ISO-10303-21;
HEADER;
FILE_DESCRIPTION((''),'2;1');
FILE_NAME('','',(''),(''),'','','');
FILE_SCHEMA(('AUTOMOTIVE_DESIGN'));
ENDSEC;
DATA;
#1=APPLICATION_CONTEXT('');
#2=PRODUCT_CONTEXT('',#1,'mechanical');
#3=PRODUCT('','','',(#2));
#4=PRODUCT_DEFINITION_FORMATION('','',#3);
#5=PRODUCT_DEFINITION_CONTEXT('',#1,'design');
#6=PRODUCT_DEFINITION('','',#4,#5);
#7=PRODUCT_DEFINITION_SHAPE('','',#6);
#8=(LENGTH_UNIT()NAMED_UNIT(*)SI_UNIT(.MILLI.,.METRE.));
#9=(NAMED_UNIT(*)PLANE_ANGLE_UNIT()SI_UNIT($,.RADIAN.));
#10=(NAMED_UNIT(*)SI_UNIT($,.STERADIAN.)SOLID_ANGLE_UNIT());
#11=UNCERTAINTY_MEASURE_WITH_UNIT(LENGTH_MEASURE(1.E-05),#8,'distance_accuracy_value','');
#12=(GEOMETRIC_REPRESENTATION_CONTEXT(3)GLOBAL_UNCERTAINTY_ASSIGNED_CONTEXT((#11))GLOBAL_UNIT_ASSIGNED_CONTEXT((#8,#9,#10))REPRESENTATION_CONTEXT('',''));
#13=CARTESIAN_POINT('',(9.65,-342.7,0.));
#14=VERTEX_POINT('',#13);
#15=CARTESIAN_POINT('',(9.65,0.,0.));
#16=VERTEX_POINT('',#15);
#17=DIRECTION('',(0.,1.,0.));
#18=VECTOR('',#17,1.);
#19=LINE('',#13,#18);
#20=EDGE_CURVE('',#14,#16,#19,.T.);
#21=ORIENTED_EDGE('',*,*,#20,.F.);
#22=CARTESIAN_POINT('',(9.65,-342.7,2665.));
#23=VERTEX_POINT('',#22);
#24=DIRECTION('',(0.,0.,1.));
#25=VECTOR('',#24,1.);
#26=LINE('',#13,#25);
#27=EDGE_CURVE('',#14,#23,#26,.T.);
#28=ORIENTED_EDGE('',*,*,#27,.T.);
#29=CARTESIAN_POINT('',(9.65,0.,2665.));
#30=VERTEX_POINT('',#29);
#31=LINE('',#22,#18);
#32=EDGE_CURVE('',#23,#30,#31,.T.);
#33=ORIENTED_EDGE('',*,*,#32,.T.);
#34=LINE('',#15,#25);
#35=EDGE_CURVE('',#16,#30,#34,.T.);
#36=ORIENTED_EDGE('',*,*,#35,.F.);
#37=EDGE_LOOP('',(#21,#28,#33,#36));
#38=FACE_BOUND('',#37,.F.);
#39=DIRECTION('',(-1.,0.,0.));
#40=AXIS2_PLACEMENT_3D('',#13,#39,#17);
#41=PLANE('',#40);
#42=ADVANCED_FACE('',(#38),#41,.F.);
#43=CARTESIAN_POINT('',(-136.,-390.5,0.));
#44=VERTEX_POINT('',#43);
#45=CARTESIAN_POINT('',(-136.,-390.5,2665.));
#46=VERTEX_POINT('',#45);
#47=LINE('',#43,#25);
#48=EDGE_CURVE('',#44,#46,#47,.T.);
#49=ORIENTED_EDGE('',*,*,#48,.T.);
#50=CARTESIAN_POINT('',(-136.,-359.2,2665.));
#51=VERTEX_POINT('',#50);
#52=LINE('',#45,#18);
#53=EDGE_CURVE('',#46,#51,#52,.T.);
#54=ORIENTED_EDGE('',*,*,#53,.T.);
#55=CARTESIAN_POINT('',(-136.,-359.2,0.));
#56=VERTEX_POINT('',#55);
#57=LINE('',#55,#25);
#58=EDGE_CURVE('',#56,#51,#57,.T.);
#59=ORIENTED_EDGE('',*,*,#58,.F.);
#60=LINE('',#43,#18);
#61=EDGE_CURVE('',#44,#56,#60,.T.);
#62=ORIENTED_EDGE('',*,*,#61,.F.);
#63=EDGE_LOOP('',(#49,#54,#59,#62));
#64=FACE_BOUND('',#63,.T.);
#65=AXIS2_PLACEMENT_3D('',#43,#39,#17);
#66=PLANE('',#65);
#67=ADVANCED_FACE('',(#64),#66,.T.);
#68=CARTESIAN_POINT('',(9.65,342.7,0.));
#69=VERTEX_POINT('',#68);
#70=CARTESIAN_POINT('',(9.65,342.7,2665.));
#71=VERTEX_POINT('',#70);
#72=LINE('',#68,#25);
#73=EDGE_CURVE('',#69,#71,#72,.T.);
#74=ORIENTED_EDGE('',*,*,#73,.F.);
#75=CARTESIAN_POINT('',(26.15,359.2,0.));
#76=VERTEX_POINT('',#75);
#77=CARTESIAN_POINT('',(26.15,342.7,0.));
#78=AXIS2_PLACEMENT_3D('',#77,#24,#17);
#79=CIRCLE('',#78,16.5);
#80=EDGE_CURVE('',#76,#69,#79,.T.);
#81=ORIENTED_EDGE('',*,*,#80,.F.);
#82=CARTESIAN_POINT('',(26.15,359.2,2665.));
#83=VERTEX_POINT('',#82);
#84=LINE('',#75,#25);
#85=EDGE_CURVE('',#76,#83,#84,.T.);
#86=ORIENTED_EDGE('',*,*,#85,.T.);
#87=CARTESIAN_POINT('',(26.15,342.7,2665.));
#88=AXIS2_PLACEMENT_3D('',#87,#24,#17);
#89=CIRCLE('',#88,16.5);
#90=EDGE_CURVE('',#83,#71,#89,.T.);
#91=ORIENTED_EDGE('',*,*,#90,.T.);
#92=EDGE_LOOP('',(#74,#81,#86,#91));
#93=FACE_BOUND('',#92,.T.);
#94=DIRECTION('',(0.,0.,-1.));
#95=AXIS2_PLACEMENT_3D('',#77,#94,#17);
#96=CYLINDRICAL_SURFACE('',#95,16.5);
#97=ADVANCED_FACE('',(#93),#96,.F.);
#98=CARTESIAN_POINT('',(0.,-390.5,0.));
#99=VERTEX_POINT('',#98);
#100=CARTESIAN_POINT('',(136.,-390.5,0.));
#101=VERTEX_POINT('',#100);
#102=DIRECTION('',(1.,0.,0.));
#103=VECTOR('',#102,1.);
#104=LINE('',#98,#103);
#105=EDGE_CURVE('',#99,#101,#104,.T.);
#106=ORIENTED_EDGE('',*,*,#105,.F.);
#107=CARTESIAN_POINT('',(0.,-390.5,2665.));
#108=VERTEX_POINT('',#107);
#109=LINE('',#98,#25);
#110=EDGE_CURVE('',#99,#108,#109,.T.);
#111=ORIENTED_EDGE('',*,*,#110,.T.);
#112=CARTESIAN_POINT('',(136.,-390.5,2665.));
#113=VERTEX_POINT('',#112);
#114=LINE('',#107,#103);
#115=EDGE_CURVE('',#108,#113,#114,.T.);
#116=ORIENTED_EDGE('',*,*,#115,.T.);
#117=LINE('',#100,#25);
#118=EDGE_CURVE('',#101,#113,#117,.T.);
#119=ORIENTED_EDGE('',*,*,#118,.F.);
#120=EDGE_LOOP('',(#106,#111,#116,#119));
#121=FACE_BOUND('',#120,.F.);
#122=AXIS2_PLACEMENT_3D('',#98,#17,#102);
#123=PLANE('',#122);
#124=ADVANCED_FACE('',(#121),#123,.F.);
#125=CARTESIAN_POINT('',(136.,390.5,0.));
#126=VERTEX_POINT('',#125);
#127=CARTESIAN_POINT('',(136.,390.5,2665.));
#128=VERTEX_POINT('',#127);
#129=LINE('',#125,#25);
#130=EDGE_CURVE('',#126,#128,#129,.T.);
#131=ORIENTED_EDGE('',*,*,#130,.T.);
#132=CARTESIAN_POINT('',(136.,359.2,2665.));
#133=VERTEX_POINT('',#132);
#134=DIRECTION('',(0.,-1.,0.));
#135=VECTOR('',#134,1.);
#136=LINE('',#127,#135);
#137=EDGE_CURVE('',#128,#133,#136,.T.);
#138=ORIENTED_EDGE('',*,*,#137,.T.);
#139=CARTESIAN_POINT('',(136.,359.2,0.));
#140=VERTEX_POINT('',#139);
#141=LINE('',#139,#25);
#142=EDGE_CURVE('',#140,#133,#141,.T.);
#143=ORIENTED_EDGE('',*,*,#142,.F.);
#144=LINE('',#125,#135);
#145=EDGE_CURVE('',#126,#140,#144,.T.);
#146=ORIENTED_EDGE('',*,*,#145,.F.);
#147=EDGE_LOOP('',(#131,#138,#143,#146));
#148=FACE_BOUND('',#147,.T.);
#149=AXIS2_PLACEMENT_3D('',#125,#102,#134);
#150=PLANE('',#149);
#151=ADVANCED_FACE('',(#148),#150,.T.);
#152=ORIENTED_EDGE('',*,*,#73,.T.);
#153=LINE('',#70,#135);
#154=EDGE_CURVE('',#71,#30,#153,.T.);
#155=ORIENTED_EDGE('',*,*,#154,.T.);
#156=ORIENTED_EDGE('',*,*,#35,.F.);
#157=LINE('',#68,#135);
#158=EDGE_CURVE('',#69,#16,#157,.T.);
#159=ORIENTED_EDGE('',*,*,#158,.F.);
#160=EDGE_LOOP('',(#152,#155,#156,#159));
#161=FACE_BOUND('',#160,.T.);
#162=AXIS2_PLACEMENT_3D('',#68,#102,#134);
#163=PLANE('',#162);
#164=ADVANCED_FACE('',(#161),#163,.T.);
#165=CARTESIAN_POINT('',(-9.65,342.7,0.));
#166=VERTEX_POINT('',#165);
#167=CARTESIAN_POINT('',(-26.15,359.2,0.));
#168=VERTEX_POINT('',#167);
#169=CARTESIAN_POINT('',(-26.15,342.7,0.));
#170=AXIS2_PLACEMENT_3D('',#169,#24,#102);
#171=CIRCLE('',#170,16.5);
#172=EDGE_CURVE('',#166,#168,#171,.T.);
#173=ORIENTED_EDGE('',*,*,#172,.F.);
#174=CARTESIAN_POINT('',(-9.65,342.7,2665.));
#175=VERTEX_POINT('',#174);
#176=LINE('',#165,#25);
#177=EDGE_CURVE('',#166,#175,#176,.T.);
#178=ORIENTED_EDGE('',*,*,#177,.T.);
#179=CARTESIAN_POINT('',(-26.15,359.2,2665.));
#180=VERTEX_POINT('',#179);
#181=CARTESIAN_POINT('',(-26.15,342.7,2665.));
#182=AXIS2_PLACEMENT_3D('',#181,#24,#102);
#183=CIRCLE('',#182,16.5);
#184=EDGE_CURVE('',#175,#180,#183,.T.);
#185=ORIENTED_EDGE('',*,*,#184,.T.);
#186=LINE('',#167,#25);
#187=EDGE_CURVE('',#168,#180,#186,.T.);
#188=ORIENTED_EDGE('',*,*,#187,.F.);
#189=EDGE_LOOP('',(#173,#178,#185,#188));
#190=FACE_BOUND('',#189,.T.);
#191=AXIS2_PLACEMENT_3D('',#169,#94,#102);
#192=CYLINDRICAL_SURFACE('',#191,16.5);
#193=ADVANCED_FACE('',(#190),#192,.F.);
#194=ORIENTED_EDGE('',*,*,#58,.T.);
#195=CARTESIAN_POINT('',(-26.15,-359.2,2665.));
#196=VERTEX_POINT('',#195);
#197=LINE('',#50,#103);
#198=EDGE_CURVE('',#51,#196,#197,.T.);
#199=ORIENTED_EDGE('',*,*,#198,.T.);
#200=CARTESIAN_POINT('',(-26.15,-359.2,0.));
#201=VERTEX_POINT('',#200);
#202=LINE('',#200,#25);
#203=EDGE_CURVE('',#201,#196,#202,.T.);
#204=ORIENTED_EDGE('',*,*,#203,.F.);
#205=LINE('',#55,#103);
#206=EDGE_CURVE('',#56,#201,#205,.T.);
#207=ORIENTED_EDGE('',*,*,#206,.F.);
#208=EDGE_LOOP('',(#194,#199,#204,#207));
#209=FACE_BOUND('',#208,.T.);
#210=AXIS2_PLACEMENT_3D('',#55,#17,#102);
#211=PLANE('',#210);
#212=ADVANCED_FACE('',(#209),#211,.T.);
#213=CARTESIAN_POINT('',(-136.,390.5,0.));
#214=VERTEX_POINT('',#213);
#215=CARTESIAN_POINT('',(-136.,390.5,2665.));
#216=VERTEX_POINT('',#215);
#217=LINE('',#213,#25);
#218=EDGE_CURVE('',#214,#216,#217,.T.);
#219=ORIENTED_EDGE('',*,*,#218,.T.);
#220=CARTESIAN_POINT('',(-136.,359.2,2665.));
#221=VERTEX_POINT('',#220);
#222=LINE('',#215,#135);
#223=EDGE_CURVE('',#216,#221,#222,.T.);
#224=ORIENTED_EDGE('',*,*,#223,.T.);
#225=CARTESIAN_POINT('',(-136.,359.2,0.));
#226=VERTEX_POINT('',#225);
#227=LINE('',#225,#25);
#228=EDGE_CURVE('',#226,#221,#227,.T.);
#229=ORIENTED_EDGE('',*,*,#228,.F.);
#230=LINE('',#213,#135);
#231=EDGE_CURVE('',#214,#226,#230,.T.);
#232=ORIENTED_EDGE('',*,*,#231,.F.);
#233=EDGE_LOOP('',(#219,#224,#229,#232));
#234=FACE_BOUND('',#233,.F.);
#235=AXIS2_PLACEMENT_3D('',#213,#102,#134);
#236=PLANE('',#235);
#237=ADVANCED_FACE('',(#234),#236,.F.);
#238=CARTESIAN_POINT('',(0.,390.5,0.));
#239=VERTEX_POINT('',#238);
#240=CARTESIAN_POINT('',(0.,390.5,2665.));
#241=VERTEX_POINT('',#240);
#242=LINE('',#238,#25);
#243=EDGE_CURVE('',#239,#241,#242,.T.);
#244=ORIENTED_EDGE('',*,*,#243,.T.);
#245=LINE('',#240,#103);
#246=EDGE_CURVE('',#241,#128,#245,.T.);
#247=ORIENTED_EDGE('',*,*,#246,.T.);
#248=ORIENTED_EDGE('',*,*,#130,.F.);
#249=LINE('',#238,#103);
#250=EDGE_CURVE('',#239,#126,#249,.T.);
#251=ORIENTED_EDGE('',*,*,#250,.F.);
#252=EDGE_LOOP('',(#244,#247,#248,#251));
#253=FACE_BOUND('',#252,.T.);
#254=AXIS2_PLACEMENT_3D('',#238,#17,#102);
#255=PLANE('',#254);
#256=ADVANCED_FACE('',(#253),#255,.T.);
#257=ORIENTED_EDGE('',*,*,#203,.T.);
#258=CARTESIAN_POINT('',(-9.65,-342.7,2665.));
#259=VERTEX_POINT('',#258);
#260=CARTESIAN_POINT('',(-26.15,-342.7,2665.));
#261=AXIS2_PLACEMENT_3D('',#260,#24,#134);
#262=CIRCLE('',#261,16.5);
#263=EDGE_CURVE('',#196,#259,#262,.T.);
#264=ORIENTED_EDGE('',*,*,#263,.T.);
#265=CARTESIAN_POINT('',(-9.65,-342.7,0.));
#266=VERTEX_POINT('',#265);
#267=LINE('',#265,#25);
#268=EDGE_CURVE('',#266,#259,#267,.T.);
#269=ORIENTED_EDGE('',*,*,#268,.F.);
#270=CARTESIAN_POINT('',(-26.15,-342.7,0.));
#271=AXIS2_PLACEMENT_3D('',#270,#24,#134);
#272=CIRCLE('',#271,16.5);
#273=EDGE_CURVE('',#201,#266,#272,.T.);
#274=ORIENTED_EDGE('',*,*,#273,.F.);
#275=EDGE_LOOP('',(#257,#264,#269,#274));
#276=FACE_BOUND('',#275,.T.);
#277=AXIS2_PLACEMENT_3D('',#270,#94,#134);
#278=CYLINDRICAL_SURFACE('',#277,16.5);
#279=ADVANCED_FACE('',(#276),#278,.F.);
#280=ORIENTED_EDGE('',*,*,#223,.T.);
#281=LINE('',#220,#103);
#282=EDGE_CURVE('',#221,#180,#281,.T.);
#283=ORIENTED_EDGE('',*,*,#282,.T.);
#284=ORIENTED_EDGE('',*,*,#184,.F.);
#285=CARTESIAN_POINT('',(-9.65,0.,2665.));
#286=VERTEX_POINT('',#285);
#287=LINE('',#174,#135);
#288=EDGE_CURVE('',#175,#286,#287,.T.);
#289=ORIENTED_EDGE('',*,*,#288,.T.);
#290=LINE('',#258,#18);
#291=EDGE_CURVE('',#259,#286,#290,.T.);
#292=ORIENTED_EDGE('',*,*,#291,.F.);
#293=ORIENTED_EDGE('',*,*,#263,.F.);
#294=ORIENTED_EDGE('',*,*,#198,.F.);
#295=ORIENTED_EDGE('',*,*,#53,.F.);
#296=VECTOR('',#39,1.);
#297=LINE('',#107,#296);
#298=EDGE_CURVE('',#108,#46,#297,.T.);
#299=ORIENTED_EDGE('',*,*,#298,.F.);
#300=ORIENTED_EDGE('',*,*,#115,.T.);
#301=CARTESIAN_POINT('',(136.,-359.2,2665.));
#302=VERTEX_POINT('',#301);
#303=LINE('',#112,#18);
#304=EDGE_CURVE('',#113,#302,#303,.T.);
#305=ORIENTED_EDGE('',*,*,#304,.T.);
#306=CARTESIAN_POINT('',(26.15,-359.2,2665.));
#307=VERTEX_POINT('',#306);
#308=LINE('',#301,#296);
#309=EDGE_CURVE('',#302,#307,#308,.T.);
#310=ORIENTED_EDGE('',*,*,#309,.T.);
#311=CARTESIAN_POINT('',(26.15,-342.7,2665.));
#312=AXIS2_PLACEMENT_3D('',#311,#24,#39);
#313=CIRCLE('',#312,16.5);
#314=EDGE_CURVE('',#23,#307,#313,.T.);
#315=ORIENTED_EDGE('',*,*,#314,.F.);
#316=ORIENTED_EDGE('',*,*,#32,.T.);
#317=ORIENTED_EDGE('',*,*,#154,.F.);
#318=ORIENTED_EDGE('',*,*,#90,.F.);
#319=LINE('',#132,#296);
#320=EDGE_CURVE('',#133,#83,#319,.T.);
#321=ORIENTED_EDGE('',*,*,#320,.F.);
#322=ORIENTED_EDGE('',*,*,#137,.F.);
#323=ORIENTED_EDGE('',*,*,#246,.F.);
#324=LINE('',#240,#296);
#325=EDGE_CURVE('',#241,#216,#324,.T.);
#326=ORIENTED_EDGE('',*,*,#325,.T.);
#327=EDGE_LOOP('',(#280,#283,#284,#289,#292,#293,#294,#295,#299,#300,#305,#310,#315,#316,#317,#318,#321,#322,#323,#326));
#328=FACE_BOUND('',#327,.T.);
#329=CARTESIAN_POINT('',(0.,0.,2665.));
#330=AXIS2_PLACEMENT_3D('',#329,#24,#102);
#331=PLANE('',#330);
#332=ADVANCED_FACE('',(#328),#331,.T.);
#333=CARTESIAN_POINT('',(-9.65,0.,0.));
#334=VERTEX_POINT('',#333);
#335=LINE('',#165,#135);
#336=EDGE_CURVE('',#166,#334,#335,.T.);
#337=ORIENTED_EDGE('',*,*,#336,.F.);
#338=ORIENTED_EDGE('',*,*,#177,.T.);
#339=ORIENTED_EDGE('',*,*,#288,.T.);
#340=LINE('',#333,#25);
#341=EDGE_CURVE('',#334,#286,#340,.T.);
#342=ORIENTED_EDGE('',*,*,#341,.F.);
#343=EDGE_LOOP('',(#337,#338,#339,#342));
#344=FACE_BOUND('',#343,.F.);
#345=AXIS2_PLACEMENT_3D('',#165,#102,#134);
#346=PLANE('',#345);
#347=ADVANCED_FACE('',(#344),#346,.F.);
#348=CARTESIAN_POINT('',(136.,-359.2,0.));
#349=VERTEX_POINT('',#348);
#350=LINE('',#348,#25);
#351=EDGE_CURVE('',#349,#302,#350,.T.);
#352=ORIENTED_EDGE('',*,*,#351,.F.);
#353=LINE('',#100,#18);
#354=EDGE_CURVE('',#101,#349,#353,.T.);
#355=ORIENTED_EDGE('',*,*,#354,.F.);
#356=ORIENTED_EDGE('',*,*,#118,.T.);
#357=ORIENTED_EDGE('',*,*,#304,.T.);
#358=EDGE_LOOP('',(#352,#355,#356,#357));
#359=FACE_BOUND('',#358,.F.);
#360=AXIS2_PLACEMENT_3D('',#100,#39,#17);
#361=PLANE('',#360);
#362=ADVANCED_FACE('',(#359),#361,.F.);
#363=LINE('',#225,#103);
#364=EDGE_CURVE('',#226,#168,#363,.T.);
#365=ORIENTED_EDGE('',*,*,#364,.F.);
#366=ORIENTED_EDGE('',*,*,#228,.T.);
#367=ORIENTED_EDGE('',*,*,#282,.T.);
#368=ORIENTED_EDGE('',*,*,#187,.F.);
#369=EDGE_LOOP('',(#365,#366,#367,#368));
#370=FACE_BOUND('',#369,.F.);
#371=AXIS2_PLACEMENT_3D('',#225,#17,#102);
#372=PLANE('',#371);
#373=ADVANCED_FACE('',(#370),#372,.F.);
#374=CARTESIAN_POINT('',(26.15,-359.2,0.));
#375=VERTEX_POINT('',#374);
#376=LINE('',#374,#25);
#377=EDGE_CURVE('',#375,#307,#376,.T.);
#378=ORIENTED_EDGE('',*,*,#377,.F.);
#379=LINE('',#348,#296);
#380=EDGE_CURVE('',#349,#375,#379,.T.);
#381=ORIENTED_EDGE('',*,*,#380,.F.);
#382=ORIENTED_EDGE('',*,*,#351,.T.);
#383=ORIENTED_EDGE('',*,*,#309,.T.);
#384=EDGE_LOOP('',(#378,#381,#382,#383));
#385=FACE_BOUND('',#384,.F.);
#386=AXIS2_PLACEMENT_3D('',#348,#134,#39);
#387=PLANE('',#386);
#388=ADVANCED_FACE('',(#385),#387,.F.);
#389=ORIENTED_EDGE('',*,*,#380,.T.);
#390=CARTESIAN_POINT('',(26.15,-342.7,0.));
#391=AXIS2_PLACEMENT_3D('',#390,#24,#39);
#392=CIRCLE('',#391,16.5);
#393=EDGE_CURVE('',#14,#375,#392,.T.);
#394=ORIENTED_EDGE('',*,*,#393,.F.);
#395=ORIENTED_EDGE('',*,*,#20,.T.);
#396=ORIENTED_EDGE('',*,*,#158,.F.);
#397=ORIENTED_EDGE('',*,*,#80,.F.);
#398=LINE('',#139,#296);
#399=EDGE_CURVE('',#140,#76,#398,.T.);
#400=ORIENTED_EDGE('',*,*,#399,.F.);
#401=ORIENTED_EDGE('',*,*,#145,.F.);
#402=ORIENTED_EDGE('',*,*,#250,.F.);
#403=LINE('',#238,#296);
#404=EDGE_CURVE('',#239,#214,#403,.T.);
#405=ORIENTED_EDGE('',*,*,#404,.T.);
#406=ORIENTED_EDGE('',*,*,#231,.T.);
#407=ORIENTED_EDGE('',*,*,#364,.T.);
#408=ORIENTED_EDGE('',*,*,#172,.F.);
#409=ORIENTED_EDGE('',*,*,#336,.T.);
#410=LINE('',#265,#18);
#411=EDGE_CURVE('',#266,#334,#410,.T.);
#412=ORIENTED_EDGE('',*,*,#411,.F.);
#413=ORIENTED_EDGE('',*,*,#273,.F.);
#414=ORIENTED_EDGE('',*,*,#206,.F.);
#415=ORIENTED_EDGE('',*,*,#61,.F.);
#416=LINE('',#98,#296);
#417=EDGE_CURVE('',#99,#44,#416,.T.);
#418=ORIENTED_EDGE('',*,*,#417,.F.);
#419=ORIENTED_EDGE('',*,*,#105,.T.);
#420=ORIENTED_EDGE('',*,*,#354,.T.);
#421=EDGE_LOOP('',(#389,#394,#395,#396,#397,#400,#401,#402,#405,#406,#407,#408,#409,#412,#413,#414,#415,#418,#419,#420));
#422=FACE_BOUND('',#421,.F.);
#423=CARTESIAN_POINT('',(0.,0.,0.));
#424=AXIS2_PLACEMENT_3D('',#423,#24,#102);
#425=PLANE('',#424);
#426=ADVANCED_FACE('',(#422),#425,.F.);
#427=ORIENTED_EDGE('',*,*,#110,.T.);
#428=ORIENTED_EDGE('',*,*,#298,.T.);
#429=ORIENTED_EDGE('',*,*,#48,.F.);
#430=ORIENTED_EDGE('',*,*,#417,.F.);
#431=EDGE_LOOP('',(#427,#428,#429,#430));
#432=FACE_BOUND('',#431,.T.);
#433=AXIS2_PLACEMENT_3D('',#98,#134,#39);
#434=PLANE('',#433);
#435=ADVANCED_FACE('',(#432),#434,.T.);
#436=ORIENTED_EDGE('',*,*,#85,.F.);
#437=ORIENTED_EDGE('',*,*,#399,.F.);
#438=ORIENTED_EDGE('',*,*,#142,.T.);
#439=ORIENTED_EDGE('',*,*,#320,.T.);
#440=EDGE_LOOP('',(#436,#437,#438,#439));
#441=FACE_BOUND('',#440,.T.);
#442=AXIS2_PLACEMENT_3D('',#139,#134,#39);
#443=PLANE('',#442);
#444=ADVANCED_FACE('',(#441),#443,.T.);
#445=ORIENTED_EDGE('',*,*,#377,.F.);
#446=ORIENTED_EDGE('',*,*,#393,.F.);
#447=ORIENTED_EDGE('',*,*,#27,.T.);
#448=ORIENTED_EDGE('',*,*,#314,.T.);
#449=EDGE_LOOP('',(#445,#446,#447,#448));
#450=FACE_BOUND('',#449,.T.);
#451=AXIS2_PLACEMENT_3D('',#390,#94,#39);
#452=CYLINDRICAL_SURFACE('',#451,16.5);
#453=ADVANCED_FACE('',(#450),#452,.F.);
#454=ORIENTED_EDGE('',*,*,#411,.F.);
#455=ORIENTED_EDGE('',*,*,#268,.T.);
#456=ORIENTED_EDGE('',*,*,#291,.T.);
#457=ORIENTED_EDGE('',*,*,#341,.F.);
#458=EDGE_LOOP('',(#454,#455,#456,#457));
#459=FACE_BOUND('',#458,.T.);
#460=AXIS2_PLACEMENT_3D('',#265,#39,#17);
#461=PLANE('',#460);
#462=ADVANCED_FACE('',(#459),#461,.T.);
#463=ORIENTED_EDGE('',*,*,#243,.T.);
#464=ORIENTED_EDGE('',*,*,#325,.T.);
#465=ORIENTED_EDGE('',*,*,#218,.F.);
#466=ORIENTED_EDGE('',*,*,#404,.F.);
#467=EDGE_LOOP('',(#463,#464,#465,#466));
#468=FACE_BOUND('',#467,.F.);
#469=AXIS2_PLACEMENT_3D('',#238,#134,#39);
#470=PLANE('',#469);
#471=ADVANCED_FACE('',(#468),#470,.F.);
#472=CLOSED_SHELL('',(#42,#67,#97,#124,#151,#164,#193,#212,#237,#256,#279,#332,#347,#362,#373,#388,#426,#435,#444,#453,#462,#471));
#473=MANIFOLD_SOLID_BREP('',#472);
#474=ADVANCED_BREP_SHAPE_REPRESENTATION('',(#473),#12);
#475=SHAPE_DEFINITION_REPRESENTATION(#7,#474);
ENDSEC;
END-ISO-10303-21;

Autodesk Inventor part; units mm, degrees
ref_plane "YZ Plane" through (0, 0, 0) normal (1, 0, 0) x (0, 1, 0)
ref_plane "Start plane" through (0, 0, 0) normal (0, 0, 1) x (1, 0, 0)
ref_plane "End plane" through (0, 0, 2665) normal (0, 0, 1) x (1, 0, 0)
sketch "Sketch" plane through (0, 0, 0) normal (0, 0, 1) x (1, 0, 0)
  line L0 (-136, -390.5) -> (-136, -359.2)
  line L1 (-136, -359.2) -> (-26.15, -359.2)
  line L2 (-9.65, -342.7) -> (-9.65, 0)
  line L3 (-9.65, 0) -> (0, 0) construction
  line L4 (0, 0) -> (0, -390.5) construction
  line L5 (0, -390.5) -> (-136, -390.5)
  line L6 (-60, 0) -> (80, 0) construction
  line L7 (0, -60) -> (0, 80) construction
  line L8 (136, -390.5) -> (136, -359.2)
  line L9 (136, -359.2) -> (26.15, -359.2)
  line L10 (9.65, -342.7) -> (9.65, 0)
  line L11 (9.65, 0) -> (0, 0) construction
  line L12 (0, -390.5) -> (136, -390.5)
  line L13 (-136, 390.5) -> (-136, 359.2)
  line L14 (-136, 359.2) -> (-26.15, 359.2)
  line L15 (-9.65, 342.7) -> (-9.65, 0)
  line L16 (0, 390.5) -> (-136, 390.5)
  line L17 (136, 390.5) -> (136, 359.2)
  line L18 (136, 359.2) -> (26.15, 359.2)
  line L19 (0, 390.5) -> (136, 390.5)
  line L20 (9.65, 342.7) -> (9.65, 0)
  arc A0 (-9.65, 342.7) -> (-26.15, 359.2) centre (-26.15, 342.7) ccw
  arc A1 (26.15, 359.2) -> (9.65, 342.7) centre (26.15, 342.7) ccw
  arc A2 (9.65, -342.7) -> (26.15, -359.2) centre (26.15, -342.7) ccw
  arc A3 (-26.15, -359.2) -> (-9.65, -342.7) centre (-26.15, -342.7) ccw
  line L21 (0, 108) -> (0, -88) construction
  line L22 (-88, 0) -> (108, 0) construction
  point P0 (-9.65, -359.2)
  point P1 (9.65, -359.2)
  point P2 (-9.65, 359.2)
  point P3 (9.65, 359.2)
  dimension "d1" = 390.5
  dimension "d2" = 31.3
  dimension "d3" = 136
  dimension "d4" = 9.65
  dimension "d10" = 16.5
extrude "Body" add sketch "Sketch" along normal up to surface (2665 mm away) from surface at 0
sketch "Sketch4" plane through (0, 0, 0) normal (0, 0, 1) x (1, 0, 0)
  line L0 (0, 0) -> (10, 0)
ref_plane "Work Plane3" through (0, 0, 0) normal (0, -1, 0) x (1, 0, 0)
sketch "Sketch5" plane through (0, 0, 0) normal (0, -1, 0) x (1, 0, 0)
  line L0 (-2, 0) -> (12, 0) projected
  line L1 (-2, 2665) -> (12, 2665) projected
  dimension "d14" = 2665
equation "\"d1\" = 0.5 * G_H"
equation "\"d2\" = G_T1"
equation "\"d3\" = 0.5 * G_W"
equation "\"d4\" = 0.5 * G_T"
equation "\"d10\" = G_IR"
equation "\"d5\" = G_L"
equation "\"G_W\" = 272"
equation "\"G_H\" = 781"
equation "\"G_T\" = 19.3"
equation "\"G_T1\" = 31.3"
equation "\"G_IR\" = 16.5"
equation "\"G_L\" = d14"
equation "\"G_OFFSET_START\" = 0"
equation "\"G_OFFSET_END\" = 0"
equation "\"d12\" = G_OFFSET_END + B_L"
equation "\"B_L\" = 2665"
properties part number "AS 3679-1990 - 760 UB - 244 - 2665" material "Steel, Mild"
